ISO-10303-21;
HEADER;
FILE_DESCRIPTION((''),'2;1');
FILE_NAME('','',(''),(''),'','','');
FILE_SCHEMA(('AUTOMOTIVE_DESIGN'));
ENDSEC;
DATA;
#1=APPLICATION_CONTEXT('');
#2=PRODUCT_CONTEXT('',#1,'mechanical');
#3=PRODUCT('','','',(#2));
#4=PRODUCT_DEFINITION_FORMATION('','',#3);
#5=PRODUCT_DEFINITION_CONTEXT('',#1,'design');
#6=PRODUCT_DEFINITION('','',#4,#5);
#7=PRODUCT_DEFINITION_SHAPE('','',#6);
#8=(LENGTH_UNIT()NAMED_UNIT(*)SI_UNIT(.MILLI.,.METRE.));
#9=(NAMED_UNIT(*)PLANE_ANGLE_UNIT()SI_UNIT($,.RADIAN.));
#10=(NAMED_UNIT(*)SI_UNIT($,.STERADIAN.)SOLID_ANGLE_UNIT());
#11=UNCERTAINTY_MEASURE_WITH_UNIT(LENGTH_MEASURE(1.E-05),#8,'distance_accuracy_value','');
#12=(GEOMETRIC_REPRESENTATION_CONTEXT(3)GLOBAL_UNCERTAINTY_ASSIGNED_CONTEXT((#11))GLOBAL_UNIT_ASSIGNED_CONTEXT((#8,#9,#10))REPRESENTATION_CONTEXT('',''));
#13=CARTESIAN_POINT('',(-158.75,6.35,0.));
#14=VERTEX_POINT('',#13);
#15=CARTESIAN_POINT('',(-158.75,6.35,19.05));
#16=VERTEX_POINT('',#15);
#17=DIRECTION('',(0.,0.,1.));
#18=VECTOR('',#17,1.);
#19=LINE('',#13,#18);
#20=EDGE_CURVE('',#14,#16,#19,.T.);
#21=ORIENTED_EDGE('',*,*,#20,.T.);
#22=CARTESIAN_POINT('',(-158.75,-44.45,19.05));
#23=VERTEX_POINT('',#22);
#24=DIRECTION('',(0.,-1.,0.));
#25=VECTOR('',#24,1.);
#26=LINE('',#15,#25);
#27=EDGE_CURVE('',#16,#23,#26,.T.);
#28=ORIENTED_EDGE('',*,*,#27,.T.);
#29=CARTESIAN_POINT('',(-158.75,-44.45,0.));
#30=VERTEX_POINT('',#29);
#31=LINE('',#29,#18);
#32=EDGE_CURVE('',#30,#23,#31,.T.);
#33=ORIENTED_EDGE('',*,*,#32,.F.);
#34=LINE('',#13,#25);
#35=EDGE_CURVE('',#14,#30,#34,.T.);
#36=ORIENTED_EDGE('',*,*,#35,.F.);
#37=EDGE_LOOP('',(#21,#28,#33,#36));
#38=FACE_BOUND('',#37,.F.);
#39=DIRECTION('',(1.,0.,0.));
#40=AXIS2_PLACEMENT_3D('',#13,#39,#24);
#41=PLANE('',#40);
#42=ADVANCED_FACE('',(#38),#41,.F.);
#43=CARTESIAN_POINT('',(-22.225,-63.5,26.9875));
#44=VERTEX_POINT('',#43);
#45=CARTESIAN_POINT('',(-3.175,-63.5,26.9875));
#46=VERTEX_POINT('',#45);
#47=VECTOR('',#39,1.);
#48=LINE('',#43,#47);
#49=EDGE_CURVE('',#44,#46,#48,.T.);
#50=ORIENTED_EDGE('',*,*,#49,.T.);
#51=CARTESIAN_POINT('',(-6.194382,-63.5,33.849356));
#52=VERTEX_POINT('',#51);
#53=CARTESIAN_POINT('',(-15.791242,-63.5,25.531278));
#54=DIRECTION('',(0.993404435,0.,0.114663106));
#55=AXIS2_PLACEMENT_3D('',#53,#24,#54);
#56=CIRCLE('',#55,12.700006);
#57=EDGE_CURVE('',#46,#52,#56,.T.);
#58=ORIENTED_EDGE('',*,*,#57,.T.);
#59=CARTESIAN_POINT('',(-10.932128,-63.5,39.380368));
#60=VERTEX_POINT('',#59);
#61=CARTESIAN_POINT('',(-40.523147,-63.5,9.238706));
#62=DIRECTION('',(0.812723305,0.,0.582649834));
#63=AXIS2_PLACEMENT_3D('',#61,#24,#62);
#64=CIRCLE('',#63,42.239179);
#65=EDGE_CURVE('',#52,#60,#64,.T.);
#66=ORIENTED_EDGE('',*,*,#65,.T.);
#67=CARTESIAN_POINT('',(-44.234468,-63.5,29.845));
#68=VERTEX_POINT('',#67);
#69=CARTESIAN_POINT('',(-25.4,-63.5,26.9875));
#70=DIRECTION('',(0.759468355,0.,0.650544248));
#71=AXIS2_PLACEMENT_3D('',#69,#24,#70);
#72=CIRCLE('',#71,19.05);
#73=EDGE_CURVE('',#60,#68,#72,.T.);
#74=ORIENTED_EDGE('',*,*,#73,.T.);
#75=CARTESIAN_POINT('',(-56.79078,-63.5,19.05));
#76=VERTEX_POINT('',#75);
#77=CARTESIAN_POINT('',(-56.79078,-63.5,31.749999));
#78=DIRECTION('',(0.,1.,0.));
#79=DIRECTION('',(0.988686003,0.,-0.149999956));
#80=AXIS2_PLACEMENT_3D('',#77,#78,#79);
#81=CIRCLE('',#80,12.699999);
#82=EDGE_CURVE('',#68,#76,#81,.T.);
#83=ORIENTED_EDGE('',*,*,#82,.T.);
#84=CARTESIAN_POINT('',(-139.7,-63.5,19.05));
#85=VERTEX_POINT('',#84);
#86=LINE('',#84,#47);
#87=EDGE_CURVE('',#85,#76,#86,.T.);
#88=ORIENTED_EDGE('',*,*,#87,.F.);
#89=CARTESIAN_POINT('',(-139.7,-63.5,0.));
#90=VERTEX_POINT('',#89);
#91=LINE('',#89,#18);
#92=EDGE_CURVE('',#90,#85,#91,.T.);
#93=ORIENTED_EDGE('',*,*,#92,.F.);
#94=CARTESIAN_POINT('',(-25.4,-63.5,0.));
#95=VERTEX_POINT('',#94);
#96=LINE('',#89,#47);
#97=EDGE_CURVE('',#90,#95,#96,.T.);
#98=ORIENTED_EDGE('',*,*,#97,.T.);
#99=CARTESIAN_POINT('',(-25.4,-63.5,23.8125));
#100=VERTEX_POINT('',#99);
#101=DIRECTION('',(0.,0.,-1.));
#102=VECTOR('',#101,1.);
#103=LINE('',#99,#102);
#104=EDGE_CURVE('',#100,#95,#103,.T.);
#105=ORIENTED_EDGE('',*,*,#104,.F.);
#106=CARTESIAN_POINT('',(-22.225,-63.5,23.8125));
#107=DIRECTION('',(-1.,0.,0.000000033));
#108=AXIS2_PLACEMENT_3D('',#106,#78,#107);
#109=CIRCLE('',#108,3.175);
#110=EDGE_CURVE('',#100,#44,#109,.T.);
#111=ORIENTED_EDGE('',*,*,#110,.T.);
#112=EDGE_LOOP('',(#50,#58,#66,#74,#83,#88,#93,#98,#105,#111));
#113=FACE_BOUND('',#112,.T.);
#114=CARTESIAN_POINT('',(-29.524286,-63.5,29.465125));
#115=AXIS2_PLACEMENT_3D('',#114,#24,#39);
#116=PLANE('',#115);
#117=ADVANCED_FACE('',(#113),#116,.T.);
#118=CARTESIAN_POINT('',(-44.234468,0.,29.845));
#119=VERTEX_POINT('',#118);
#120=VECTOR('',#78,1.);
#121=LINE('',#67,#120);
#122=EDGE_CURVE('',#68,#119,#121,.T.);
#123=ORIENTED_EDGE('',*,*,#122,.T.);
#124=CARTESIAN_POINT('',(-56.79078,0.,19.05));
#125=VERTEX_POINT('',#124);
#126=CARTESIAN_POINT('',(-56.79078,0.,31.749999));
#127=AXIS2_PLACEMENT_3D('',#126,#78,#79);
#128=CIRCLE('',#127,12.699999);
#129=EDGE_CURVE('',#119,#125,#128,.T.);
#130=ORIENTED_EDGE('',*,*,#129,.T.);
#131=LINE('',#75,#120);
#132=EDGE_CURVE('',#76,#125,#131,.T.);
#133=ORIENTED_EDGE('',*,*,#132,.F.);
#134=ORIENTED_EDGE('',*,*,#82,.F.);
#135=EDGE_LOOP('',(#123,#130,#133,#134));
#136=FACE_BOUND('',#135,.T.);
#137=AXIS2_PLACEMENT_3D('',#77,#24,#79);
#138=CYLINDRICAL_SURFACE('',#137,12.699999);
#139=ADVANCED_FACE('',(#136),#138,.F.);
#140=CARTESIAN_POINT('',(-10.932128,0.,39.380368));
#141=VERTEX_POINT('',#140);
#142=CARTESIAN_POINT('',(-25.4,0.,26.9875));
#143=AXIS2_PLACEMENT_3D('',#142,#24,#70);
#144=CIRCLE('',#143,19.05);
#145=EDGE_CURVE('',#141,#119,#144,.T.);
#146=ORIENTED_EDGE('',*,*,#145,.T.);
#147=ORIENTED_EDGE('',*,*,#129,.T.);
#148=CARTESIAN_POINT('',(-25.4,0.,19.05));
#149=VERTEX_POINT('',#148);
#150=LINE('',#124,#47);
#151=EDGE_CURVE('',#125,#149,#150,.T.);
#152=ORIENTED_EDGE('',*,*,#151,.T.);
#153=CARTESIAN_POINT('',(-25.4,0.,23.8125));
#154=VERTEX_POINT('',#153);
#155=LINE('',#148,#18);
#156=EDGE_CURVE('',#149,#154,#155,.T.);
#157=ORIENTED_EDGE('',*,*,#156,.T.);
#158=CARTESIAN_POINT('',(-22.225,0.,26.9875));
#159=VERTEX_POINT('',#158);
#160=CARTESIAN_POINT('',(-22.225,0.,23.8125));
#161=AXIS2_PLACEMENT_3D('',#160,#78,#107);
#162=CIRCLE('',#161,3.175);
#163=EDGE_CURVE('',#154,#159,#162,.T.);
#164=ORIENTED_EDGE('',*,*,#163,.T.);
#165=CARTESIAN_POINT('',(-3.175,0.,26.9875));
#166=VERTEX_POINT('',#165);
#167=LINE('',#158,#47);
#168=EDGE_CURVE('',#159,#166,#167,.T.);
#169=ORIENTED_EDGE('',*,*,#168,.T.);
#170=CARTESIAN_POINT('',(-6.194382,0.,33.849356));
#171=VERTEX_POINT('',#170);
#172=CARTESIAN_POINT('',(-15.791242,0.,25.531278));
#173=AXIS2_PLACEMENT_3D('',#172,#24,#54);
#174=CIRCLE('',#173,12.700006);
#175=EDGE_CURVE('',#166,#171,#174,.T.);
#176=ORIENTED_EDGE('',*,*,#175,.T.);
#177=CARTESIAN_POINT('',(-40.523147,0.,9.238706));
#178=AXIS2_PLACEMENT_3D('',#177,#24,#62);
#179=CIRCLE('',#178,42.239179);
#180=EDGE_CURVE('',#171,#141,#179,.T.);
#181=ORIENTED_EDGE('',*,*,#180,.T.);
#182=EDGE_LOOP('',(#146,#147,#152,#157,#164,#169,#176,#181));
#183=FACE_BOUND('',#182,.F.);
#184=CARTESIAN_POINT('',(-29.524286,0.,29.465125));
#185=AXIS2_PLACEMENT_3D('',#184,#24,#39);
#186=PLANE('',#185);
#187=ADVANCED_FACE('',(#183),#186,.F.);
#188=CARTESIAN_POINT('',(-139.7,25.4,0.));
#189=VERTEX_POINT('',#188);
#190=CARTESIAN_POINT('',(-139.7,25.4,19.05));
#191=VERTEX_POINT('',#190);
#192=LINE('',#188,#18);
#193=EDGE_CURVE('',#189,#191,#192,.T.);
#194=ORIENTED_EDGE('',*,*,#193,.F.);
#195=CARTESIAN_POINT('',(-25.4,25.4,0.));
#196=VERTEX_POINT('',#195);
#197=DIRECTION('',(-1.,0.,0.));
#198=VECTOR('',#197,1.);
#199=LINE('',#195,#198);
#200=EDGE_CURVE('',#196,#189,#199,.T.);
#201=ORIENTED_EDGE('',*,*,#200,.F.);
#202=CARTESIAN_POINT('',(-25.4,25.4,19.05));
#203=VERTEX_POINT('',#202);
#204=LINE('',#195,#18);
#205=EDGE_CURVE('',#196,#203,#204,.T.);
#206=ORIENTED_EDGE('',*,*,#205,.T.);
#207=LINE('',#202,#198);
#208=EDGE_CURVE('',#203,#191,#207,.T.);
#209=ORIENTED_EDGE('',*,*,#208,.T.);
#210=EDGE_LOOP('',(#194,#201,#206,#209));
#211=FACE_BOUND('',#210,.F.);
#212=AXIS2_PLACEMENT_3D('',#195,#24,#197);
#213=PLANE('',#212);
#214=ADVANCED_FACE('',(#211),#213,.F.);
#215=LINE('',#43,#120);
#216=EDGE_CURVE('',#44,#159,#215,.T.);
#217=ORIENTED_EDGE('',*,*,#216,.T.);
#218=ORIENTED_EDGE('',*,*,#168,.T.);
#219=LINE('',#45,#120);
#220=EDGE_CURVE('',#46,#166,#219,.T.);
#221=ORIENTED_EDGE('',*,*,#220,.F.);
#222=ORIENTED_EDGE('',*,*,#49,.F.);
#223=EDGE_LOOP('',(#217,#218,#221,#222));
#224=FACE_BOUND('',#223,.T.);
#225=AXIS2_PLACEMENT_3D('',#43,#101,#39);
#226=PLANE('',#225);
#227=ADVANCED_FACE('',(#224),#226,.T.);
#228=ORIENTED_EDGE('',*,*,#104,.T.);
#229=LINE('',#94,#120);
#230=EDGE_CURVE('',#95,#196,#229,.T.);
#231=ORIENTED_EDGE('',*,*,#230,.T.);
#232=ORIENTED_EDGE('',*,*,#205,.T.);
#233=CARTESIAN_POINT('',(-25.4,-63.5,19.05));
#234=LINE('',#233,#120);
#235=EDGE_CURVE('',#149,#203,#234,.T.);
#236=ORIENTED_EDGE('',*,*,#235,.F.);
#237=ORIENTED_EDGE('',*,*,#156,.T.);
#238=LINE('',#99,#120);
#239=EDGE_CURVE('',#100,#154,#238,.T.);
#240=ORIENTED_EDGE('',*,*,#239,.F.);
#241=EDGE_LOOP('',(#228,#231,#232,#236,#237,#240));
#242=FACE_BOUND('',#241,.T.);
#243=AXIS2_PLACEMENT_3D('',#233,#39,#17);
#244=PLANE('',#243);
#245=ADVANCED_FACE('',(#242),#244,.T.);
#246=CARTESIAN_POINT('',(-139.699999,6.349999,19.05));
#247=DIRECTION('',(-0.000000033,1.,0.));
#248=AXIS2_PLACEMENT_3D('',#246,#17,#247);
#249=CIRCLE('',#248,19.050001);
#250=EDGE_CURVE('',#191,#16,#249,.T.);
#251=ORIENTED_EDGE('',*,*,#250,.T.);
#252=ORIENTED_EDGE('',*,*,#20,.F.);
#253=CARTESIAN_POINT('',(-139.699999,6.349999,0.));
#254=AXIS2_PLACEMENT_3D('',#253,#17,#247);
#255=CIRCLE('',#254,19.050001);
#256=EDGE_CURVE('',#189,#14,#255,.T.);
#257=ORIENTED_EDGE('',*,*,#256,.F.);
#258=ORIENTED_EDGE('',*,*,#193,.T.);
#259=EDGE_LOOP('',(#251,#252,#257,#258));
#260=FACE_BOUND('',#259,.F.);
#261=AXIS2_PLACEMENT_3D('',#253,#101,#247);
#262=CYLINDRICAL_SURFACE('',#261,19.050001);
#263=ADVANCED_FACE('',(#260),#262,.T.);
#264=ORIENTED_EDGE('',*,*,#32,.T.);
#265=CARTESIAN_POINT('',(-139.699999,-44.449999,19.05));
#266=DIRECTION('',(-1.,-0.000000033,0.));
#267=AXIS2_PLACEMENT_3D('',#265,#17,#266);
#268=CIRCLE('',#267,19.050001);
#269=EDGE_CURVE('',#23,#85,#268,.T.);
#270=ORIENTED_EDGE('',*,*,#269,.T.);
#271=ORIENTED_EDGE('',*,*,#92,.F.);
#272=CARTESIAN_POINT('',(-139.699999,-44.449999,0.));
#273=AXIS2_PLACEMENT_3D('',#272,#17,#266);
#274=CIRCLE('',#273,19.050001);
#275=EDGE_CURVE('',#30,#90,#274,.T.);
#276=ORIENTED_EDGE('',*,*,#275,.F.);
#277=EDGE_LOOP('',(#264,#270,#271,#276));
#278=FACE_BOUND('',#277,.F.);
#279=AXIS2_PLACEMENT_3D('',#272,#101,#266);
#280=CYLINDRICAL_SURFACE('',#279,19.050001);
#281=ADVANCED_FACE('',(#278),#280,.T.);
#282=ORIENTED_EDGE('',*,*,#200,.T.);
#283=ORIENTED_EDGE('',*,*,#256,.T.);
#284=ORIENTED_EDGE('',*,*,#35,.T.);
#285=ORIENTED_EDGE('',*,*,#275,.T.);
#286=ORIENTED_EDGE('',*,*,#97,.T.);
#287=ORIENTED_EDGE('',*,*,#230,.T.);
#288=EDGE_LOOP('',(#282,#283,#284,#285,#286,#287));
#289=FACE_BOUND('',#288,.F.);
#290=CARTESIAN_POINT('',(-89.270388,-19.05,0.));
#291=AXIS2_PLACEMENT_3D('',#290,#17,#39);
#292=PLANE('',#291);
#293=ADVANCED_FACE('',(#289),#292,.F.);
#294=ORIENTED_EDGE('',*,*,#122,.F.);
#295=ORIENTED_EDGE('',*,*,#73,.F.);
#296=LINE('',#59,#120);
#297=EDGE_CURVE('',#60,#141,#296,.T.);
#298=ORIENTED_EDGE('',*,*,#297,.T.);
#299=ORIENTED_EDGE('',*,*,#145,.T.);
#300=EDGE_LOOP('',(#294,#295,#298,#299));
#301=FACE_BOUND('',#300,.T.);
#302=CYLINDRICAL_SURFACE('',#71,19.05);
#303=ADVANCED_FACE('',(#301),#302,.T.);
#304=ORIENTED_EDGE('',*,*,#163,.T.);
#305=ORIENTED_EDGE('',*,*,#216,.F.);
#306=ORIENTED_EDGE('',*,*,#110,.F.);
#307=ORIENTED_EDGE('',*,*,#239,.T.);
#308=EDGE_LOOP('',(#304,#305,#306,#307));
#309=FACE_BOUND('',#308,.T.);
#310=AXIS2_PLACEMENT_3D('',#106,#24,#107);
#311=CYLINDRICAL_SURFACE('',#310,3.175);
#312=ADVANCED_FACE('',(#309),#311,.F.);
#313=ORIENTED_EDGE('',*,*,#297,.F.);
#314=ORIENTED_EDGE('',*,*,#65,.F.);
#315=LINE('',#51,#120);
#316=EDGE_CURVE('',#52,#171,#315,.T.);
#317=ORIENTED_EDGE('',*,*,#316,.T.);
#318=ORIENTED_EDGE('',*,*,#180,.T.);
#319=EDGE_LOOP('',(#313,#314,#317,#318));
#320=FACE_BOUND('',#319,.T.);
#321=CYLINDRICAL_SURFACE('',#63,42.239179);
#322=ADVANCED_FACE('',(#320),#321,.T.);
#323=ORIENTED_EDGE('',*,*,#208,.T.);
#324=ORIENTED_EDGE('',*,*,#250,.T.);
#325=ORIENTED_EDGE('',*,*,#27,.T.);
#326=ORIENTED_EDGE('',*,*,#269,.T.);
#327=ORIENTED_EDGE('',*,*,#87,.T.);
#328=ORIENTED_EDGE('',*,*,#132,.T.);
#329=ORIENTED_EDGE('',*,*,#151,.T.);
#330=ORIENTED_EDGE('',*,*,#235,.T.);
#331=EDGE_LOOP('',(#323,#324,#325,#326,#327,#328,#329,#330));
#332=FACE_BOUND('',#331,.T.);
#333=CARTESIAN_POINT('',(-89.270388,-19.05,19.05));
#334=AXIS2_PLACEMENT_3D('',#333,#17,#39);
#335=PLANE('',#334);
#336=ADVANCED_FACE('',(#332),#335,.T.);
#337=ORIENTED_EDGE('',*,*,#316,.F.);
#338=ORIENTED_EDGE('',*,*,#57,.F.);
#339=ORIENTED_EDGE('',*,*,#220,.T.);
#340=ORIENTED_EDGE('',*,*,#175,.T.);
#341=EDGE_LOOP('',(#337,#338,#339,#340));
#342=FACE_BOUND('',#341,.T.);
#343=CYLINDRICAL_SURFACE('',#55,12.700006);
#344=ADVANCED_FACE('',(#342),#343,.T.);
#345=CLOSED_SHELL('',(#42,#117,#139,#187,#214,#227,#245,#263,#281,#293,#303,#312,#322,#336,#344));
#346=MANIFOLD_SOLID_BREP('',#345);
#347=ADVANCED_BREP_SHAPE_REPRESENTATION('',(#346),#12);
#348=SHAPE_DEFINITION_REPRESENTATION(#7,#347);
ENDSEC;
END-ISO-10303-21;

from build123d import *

# Parameters (mm, degrees)
F1_DEPTH = 19.05
F4_DEPTH = 63.5


with BuildPart() as f1:
    # F0 (on Top) → F1 (new body)
    with BuildSketch(Plane.XY):
        with BuildLine():
            Line((-139.7, -63.5), (-25.4, -63.5))
            Line((-25.4, -63.5), (-25.4, 25.4))
            Line((-25.4, 25.4), (-139.7, 25.4))
            ThreePointArc((-139.7, 25.4), (-153.170384, 19.820384), (-158.75, 6.35))
            Line((-158.75, 6.35), (-158.75, -44.45))
            ThreePointArc((-158.75, -44.45), (-153.170384, -57.920384), (-139.7, -63.5))
        make_face()
    extrude(amount=F1_DEPTH)

    # F3 (on offset) → F4 (join)
    with BuildSketch(Plane.XZ.offset(63.5)):
        with BuildLine():
            Line((-56.79078, 19.05), (-25.4, 19.05))
            Line((-25.4, 19.05), (-25.4, 23.8125))
            ThreePointArc((-25.4, 23.8125), (-24.470064, 26.057564), (-22.225, 26.9875))
            Line((-22.225, 26.9875), (-3.175, 26.9875))
            ThreePointArc((-3.175, 26.9875), (-4.166839, 30.646295), (-6.194382, 33.849356))
            ThreePointArc((-6.194382, 33.849356), (-8.443828, 36.717161), (-10.932128, 39.380368))
            ThreePointArc((-10.932128, 39.380368), (-30.643815, 45.301563), (-44.234468, 29.845))
            ThreePointArc((-44.234468, 29.845), (-48.511393, 22.119748), (-56.79078, 19.05))
        make_face()
    extrude(amount=-F4_DEPTH)


solid = f1.part
